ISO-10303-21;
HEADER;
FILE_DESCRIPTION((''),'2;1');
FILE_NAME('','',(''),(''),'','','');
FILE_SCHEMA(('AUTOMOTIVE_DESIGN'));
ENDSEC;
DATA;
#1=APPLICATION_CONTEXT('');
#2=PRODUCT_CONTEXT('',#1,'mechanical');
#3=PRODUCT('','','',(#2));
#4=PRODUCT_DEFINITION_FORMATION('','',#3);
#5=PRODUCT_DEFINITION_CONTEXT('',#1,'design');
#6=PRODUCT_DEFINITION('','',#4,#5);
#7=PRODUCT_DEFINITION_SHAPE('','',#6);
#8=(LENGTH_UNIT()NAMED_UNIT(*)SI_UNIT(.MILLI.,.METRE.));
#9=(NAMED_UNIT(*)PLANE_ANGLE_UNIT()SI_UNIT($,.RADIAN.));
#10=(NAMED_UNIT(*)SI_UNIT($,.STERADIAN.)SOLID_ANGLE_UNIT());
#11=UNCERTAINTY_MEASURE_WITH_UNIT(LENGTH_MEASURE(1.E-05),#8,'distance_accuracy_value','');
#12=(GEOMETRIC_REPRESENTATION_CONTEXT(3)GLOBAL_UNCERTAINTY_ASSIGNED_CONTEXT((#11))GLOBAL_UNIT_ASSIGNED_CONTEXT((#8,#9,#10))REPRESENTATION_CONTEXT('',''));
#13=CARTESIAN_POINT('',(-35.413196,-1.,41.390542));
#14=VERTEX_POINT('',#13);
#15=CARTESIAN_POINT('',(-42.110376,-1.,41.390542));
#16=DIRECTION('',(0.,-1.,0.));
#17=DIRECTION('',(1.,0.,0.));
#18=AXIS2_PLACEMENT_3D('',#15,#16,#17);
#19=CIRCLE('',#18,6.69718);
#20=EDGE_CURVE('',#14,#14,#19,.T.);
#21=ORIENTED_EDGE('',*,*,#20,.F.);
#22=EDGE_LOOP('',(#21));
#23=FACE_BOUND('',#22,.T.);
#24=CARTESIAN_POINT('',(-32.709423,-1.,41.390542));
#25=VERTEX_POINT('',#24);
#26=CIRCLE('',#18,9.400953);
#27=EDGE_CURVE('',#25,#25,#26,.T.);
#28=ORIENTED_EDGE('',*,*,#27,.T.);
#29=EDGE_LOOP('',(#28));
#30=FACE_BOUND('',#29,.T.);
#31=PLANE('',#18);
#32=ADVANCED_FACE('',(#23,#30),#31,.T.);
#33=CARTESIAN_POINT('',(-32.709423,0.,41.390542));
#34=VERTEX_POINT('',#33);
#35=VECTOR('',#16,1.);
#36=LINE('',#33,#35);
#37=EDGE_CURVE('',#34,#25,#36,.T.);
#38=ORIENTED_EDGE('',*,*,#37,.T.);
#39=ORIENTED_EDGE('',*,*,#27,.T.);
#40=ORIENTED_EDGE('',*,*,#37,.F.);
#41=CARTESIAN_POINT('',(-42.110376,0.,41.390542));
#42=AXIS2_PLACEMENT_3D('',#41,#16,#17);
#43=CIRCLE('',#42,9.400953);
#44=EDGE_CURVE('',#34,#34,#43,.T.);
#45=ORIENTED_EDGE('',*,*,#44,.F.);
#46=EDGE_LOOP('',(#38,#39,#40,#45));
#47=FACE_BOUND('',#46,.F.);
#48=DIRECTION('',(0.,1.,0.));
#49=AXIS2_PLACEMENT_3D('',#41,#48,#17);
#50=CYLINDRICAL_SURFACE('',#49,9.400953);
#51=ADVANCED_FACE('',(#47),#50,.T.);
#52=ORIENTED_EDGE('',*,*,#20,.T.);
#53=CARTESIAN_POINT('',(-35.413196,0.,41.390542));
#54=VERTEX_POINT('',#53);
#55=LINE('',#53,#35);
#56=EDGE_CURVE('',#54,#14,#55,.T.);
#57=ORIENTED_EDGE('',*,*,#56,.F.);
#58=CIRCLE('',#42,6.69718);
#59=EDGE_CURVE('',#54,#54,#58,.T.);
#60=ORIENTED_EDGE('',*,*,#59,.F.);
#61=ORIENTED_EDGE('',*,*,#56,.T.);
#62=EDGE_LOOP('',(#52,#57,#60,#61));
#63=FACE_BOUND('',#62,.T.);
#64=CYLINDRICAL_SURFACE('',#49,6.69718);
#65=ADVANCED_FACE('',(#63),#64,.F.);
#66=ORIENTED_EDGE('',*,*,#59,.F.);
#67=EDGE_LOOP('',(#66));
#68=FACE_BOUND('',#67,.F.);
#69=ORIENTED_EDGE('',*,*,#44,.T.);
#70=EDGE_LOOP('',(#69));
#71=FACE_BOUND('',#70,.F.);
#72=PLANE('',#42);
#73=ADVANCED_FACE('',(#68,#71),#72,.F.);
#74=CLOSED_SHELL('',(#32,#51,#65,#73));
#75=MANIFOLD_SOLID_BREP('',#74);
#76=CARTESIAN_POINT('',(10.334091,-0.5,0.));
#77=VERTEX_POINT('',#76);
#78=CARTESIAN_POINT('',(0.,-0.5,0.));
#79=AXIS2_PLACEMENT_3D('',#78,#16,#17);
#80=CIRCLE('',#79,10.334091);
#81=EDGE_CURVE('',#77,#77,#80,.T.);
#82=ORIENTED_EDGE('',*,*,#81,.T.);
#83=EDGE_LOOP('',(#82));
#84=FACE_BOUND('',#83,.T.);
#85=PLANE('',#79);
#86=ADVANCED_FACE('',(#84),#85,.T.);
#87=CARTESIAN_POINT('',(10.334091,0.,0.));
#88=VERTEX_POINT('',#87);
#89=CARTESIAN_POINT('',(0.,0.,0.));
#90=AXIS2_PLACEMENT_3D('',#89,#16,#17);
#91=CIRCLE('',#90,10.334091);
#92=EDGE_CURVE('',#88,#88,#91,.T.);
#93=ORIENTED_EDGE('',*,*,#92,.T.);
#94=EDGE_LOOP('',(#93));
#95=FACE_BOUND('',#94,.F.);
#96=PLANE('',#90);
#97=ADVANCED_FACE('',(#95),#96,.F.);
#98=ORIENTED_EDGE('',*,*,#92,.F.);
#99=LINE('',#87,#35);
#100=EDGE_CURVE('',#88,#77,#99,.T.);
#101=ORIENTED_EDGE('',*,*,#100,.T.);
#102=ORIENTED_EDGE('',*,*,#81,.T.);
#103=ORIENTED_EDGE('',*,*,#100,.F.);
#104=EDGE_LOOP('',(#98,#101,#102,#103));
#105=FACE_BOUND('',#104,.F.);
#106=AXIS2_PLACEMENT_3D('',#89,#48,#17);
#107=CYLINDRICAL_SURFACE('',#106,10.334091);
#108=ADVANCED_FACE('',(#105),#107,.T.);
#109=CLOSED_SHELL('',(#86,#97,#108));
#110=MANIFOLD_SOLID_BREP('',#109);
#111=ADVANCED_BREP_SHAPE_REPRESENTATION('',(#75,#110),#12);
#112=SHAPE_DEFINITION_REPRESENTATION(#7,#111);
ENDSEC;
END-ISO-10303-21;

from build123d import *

# Parameters (mm, degrees)
F0_R     = 10.334091
F1_DEPTH = 0.5
F2_R     = 9.400953
F2_R_2   = 6.69718
F3_DEPTH = 1


with BuildPart() as f1:
    # F0 (on Front) → F1 (new body)
    with BuildSketch(Plane.XZ):
        Circle(F0_R)
    extrude(amount=F1_DEPTH)


with BuildPart() as f3:
    # F2 (on Front) → F3 (new body)
    with BuildSketch(Plane.XZ):
        with Locations((-42.110376, 41.390542)):
            Circle(F2_R)
        with Locations((-42.110376, 41.390542)):
            Circle(F2_R_2, mode=Mode.SUBTRACT)
    extrude(amount=F3_DEPTH)


solid = Compound([f1.part, f3.part])
